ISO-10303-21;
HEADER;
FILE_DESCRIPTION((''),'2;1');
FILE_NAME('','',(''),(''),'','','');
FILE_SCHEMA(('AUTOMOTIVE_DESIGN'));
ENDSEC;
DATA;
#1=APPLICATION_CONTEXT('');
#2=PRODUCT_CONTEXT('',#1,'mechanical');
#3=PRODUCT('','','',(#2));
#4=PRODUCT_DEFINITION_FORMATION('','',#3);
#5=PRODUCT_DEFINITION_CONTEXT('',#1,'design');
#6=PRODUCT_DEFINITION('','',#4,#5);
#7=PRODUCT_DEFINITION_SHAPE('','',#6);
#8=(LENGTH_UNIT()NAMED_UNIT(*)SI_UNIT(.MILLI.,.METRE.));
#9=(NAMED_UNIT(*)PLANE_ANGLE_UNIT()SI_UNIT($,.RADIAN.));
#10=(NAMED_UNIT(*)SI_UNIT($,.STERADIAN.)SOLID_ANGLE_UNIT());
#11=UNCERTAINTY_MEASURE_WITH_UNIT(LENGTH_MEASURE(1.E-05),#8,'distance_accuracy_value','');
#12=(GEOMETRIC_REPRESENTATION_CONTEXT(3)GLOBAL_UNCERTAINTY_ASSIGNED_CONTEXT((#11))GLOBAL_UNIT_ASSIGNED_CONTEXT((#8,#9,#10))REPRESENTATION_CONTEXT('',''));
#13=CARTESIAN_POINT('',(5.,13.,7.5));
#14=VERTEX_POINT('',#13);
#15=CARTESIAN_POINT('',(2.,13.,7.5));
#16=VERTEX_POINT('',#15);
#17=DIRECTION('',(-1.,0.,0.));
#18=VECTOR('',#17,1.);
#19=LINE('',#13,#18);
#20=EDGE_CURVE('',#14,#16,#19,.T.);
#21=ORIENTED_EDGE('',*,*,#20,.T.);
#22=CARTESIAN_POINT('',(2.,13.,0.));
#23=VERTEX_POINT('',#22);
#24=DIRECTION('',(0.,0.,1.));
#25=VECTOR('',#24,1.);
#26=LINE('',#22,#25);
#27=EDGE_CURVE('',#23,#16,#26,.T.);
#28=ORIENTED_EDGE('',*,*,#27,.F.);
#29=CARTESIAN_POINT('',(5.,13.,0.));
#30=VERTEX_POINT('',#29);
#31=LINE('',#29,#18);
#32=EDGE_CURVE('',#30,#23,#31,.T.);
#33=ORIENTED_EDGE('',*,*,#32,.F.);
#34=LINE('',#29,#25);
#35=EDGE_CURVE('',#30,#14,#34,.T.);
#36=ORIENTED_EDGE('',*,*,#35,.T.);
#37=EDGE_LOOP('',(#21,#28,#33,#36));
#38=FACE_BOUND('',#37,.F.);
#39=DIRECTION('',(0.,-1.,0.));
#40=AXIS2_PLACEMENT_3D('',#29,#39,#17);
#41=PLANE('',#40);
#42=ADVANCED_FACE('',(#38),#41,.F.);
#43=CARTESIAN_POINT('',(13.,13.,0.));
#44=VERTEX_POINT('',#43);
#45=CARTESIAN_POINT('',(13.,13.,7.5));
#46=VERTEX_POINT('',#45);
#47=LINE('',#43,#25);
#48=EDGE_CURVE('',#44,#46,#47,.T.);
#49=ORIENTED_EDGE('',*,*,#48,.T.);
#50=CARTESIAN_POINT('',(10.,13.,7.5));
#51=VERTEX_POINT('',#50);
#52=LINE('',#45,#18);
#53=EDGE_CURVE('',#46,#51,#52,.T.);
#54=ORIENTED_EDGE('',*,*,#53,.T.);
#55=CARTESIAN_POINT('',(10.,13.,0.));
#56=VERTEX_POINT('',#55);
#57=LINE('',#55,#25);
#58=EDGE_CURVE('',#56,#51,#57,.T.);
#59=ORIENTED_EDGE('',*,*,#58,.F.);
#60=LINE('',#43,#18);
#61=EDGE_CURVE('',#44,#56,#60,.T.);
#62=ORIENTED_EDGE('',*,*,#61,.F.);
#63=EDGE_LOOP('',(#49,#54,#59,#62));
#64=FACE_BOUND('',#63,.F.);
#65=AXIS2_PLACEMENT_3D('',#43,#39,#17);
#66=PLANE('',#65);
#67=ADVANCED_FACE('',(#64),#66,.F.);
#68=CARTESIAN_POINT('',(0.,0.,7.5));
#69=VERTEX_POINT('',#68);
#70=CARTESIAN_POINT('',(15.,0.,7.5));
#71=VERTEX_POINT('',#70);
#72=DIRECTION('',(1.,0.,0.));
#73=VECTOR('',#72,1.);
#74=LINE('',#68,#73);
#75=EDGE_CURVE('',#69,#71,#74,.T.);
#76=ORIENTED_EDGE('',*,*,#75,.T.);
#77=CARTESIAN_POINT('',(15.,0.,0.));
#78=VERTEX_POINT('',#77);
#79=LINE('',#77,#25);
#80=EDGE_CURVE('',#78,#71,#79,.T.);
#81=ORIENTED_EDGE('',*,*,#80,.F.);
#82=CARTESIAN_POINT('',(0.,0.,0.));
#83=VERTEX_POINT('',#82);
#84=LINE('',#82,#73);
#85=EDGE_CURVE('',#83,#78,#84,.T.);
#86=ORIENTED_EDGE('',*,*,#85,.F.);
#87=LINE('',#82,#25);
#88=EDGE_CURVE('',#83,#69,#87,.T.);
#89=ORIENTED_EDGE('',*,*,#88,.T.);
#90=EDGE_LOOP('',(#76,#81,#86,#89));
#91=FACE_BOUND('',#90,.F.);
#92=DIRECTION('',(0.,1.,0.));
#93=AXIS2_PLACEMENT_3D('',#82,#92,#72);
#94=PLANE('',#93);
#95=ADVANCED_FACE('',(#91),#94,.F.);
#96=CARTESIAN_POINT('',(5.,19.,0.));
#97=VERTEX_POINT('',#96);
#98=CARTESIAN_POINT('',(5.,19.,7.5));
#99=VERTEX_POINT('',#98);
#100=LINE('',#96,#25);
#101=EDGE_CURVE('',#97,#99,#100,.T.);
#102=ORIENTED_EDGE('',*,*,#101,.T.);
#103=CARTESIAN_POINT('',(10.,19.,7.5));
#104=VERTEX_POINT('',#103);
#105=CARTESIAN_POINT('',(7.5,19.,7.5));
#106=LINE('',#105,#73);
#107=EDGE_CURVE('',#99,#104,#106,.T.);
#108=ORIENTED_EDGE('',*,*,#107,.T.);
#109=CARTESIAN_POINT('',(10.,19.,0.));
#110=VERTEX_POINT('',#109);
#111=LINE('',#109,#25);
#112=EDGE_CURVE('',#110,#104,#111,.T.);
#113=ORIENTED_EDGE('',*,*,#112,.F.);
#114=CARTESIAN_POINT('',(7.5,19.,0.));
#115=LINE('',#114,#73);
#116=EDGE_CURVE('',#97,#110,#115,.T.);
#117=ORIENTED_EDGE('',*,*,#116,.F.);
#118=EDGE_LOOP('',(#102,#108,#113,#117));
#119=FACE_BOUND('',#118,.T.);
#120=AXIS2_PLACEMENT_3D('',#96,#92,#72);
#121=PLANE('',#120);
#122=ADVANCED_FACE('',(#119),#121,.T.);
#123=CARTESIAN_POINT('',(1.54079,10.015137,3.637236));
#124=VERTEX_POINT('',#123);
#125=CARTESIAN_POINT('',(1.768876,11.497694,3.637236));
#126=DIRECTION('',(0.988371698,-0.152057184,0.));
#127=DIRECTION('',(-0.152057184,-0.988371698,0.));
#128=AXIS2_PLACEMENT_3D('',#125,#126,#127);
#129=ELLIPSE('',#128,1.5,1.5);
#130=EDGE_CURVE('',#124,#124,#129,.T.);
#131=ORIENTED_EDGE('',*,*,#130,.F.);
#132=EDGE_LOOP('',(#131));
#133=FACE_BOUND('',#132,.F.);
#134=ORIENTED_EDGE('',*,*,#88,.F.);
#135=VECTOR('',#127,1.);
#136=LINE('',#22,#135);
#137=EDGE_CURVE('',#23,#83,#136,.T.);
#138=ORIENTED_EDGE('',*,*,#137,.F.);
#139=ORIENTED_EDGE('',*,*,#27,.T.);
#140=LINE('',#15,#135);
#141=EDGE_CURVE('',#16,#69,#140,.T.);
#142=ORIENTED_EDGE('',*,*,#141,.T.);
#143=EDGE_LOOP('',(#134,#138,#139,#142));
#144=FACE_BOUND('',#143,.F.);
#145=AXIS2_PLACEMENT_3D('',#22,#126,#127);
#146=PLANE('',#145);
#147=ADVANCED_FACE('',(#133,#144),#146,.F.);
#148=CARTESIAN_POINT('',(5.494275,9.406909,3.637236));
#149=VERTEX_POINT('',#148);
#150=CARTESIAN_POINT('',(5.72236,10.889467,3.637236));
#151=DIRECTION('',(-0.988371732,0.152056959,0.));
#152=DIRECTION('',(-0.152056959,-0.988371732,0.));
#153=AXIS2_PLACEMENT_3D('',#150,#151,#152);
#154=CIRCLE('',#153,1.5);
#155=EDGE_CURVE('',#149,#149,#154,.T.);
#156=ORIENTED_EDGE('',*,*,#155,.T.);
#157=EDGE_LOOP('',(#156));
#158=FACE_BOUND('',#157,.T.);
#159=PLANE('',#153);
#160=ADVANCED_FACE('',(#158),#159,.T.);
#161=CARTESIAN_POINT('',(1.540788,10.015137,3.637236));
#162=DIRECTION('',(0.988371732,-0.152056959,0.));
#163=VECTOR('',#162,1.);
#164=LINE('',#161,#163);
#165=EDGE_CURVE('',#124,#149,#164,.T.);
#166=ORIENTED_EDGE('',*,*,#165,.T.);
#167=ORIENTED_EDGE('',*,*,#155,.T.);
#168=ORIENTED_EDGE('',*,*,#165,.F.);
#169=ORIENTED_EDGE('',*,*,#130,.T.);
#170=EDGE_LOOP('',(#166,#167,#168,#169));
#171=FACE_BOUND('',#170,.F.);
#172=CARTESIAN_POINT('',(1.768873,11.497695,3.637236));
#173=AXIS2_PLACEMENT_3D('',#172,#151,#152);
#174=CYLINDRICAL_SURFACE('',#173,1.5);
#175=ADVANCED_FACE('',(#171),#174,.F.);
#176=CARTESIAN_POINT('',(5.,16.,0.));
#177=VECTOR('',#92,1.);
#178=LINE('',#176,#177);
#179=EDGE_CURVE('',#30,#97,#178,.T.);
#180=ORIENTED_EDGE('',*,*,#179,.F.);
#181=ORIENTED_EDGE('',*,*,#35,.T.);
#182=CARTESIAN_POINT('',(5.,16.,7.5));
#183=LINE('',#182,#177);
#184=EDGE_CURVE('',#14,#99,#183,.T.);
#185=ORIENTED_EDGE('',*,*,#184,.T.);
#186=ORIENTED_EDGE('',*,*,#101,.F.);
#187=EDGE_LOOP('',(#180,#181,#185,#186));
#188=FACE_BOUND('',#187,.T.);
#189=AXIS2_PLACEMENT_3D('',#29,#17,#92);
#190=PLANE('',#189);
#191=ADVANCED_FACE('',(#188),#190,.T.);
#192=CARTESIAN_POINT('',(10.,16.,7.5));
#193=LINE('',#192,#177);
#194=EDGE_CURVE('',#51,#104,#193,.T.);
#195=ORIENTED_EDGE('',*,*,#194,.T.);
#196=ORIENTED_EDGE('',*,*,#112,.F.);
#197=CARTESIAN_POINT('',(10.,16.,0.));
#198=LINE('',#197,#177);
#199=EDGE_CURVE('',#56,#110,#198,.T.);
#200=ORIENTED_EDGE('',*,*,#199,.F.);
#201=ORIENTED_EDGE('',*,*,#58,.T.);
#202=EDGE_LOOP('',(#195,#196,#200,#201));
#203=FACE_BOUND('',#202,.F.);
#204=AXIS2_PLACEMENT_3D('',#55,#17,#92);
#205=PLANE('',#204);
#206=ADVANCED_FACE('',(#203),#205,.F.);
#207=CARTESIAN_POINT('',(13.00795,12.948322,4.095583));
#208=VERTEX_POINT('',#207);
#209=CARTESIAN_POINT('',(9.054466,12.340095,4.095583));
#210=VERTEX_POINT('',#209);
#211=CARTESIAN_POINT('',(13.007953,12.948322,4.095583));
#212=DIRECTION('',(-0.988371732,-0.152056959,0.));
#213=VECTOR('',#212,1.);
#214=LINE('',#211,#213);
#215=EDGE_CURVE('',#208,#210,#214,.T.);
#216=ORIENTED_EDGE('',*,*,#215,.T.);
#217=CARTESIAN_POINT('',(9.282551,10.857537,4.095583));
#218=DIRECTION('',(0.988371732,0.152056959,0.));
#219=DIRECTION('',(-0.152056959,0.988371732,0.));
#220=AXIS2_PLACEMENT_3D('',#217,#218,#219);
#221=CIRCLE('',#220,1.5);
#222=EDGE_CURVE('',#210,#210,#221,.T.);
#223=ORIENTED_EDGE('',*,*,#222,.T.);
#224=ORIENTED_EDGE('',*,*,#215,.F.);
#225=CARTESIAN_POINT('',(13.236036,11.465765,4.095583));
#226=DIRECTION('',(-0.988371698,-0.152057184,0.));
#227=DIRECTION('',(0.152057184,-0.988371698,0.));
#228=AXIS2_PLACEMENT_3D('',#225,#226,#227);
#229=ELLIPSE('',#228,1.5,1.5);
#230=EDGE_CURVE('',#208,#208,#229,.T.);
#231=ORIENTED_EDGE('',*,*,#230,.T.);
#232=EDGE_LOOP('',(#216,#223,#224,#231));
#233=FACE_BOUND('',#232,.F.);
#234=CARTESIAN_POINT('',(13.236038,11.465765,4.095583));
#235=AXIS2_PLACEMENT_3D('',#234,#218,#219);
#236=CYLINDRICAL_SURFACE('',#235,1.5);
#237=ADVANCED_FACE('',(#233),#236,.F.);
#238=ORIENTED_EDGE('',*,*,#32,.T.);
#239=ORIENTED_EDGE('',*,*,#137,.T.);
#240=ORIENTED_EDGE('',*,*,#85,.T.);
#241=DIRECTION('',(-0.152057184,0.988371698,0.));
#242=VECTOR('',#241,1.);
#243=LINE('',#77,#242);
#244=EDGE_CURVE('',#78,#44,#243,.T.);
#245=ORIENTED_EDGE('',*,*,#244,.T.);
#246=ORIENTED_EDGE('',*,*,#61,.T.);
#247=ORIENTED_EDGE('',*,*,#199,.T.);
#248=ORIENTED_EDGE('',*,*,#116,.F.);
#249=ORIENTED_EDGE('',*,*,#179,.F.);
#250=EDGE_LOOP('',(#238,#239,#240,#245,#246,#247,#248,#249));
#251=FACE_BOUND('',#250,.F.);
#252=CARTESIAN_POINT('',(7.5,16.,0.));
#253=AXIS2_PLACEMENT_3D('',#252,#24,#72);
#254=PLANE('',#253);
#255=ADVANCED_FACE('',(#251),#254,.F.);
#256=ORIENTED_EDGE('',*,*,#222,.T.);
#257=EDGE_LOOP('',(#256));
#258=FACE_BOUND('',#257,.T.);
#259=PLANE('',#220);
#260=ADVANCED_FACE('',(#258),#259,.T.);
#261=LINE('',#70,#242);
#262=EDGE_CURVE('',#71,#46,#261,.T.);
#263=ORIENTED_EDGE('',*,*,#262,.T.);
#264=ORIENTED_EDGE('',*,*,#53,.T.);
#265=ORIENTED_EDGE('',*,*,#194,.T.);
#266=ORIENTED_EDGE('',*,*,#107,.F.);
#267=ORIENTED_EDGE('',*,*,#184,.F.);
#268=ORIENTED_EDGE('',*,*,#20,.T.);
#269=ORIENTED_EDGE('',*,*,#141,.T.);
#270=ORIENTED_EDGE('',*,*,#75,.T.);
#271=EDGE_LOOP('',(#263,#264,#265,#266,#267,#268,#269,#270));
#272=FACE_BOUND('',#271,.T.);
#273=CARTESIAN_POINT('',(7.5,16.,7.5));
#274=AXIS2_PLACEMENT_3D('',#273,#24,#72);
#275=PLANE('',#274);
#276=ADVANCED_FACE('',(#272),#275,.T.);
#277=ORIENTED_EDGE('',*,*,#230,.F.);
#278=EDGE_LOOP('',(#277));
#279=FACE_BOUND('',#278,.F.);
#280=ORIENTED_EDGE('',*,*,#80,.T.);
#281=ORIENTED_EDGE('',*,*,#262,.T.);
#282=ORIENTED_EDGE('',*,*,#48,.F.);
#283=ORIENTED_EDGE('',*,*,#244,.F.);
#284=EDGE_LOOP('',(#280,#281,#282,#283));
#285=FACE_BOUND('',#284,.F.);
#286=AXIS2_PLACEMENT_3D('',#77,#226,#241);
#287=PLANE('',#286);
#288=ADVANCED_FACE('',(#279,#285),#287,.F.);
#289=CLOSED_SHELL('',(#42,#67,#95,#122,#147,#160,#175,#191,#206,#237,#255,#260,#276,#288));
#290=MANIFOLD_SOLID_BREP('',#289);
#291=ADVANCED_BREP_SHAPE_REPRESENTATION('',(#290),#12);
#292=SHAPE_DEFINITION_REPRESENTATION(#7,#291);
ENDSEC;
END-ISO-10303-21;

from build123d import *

# Parameters (mm, degrees)
F0_W     = 5
F0_H     = 6
F1_DEPTH = 7.5
F2_R     = 1.5
F3_DEPTH = 4
F4_R     = 1.5
F5_DEPTH = 4


with BuildPart() as f1:
    # F0 (on Top) → F1 (new body)
    with BuildSketch(Plane.XY):
        with Locations((7.5, 16)):
            Rectangle(F0_W, F0_H)
        Polygon((2, 13), (0, 0), (15, 0), (13, 13), (10, 13), (5, 13), align=None)
    extrude(amount=F1_DEPTH)

    # F2 (on face) → F3 (cut)
    with BuildSketch(Plane(origin=(14.653179, 2.254335, 0), x_dir=(-0.152057, 0.988372, 0), z_dir=(0.988372, 0.152057, 0))):
        with Locations((9.319803, 4.095583)):
            Circle(F2_R)
    extrude(amount=-F3_DEPTH, mode=Mode.SUBTRACT)

    # F4 (on face) → F5 (cut)
    with BuildSketch(Plane(origin=(0, 0, 0), x_dir=(-0.152057, -0.988372, 0), z_dir=(-0.988372, 0.152057, 0))):
        with Locations((-11.632966, 3.637236)):
            Circle(F4_R)
    extrude(amount=-F5_DEPTH, mode=Mode.SUBTRACT)


solid = f1.part
